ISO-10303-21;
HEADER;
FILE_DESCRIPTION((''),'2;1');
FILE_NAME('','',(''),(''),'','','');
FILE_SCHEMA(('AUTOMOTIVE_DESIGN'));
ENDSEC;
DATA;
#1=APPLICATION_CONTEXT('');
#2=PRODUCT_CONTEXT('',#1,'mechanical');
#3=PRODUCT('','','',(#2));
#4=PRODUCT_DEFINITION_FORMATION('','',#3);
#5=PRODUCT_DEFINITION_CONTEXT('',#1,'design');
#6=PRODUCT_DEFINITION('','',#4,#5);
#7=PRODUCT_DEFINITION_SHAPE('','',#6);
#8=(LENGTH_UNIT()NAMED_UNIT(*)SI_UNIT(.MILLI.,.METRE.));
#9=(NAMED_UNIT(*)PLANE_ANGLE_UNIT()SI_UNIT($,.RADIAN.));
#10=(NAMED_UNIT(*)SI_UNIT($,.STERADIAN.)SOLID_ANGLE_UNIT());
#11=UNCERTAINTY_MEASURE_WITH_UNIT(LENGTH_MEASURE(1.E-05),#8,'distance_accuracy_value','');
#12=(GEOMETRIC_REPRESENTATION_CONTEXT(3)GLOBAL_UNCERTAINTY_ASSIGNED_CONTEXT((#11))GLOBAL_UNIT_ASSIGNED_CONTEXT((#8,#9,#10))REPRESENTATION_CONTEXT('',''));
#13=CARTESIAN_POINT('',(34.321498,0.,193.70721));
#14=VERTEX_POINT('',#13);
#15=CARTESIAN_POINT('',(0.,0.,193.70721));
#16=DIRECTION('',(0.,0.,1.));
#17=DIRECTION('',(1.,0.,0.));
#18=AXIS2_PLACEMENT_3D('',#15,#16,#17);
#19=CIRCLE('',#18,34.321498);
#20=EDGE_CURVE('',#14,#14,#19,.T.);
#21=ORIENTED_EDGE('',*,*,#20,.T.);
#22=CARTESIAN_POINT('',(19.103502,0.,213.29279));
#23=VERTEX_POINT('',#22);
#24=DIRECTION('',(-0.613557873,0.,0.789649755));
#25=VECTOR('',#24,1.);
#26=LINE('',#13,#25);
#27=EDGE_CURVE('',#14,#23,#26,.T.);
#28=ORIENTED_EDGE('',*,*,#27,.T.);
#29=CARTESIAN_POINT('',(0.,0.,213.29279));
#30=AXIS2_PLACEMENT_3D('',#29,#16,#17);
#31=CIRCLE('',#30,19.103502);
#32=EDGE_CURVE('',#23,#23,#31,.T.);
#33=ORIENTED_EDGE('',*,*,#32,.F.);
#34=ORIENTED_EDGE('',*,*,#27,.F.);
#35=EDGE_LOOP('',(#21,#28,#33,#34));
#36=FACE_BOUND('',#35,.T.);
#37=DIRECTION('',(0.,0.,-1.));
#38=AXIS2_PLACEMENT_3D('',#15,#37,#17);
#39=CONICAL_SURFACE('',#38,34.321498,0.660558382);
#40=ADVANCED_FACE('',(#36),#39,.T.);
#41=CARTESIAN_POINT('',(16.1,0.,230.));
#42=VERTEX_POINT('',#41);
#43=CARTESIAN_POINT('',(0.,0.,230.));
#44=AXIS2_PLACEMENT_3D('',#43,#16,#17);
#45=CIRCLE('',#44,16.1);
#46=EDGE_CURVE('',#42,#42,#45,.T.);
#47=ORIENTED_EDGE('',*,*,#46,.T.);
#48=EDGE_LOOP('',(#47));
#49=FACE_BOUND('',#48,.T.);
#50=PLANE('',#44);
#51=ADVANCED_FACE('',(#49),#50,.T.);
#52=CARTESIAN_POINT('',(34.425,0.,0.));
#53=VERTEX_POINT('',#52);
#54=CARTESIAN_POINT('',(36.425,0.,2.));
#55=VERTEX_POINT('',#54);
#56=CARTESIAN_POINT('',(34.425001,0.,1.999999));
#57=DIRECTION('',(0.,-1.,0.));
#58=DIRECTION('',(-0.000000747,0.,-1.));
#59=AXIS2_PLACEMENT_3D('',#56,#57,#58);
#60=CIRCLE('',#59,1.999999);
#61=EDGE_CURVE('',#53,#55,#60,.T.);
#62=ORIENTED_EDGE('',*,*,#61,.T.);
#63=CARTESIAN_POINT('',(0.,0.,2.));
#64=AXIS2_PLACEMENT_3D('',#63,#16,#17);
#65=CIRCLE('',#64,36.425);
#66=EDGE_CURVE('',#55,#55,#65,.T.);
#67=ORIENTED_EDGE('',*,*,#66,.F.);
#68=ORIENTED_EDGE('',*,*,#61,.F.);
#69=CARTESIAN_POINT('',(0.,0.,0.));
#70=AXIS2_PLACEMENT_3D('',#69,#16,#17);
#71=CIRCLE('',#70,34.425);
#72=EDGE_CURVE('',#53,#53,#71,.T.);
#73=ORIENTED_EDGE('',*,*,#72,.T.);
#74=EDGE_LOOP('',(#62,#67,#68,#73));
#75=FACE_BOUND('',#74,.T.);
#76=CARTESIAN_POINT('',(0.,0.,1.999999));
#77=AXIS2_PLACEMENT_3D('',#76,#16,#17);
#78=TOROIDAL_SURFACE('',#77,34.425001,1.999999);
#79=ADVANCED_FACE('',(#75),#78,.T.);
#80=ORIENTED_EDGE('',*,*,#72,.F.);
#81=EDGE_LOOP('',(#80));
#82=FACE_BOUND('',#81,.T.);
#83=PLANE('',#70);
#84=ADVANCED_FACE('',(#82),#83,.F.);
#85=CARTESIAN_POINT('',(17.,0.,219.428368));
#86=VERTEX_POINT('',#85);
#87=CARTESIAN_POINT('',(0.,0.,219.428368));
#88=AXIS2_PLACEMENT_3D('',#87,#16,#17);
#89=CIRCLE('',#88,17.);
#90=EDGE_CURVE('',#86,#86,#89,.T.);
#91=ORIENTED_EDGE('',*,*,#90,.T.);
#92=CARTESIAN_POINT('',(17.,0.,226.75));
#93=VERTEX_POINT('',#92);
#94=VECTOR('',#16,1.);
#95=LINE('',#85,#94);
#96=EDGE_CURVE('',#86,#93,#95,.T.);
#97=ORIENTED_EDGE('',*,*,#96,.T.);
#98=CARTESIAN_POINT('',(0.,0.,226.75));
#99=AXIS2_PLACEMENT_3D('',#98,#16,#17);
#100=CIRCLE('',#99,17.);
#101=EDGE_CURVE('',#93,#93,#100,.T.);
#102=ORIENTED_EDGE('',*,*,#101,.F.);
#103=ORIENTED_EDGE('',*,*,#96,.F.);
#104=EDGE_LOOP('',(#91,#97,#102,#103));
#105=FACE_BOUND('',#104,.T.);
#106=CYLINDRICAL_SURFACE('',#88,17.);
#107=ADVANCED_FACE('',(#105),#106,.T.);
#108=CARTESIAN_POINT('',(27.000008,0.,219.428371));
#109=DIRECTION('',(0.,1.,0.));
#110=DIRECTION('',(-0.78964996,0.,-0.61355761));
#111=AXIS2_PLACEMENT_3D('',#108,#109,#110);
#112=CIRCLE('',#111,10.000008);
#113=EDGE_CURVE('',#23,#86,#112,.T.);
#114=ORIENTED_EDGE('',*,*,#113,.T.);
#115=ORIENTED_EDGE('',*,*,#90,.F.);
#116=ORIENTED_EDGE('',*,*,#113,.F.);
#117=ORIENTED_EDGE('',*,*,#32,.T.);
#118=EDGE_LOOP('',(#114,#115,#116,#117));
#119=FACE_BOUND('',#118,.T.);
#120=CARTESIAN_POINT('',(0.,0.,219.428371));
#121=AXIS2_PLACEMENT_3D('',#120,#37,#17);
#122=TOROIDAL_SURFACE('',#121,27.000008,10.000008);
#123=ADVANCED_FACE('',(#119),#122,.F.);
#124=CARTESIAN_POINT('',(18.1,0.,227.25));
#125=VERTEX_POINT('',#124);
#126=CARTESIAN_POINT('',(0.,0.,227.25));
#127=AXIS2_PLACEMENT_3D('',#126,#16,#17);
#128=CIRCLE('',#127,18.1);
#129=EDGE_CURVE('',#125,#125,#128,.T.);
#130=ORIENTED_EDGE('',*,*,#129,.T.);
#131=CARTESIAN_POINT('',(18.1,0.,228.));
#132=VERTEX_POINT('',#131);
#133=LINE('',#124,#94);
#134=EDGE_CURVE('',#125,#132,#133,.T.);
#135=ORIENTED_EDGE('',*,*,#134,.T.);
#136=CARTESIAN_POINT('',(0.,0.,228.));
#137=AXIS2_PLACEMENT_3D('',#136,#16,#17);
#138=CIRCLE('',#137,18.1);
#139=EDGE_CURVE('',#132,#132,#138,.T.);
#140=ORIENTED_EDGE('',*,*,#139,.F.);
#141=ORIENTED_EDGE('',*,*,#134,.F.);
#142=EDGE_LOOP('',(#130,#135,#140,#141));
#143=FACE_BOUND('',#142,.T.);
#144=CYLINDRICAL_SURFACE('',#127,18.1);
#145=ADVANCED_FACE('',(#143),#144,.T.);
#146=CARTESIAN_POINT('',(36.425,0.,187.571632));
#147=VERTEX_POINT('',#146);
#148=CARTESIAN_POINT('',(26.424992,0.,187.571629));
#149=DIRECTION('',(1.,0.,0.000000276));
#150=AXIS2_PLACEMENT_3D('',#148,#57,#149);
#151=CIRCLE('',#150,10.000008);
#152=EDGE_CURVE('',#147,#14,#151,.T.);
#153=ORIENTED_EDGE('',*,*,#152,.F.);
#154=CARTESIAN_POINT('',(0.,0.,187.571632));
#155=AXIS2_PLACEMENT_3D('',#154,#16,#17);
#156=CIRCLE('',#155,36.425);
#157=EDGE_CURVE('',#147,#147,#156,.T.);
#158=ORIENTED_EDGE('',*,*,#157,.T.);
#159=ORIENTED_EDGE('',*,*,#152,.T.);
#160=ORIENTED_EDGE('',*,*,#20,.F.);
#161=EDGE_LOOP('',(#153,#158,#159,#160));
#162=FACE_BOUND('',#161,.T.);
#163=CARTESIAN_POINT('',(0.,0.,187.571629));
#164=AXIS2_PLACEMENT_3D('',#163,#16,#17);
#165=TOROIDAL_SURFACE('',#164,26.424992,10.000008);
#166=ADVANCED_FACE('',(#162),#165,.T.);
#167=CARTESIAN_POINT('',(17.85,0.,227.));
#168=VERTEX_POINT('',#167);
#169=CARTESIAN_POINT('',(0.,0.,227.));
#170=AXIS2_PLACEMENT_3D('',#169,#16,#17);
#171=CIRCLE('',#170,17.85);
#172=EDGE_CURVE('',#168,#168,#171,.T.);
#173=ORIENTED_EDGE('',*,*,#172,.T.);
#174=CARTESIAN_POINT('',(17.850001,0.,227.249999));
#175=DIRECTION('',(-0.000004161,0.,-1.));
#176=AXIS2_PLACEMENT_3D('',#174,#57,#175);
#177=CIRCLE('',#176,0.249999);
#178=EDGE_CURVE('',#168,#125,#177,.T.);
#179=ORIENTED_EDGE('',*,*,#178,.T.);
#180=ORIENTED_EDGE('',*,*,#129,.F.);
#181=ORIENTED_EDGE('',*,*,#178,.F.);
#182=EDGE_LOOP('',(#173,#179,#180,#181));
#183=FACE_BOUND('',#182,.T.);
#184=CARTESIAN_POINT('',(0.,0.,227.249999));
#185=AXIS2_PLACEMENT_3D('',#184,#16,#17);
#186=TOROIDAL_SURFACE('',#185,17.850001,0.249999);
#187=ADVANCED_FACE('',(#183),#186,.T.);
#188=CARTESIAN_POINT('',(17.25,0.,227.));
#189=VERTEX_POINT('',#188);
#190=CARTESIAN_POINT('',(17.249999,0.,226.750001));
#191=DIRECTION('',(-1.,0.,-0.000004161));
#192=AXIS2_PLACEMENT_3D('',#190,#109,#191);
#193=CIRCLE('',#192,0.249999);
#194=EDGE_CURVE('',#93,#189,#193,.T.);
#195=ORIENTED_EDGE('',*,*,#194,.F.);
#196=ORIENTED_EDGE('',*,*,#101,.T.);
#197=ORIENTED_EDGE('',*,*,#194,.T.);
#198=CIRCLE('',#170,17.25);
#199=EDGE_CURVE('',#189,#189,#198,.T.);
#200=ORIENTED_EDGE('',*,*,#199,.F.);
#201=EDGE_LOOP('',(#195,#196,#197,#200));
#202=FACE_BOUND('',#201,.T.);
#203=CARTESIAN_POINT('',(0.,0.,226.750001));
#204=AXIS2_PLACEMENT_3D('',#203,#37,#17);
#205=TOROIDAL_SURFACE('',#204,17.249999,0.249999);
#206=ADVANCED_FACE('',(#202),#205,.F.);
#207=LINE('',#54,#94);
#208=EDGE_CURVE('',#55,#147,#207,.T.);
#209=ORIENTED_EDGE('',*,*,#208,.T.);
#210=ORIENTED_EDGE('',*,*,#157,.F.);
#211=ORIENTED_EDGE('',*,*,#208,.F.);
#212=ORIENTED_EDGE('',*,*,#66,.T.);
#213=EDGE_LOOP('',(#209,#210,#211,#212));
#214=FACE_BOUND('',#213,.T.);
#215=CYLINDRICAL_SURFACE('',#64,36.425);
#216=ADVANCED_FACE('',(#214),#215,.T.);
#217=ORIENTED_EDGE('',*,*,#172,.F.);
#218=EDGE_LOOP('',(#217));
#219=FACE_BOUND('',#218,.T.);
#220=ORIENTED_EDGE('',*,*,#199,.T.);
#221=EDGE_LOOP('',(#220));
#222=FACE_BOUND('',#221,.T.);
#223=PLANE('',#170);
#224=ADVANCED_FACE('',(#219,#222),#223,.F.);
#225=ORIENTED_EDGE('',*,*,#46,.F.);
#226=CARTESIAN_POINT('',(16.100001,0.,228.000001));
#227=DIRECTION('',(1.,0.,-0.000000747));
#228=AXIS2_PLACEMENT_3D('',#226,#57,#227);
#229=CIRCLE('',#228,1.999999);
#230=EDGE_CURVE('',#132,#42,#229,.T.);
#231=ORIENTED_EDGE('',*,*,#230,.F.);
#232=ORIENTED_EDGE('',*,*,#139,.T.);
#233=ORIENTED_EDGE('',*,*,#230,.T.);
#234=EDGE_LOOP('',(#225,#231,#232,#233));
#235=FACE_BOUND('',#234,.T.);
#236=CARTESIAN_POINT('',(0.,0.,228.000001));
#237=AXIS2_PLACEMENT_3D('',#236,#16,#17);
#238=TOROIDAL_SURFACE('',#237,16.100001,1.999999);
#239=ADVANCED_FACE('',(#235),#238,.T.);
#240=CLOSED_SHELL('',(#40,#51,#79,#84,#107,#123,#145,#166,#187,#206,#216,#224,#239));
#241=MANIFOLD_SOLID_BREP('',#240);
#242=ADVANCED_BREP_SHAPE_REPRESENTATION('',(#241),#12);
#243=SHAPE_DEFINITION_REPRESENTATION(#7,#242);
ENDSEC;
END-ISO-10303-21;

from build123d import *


with BuildPart() as f1:
    # F0 (on Front) → F1 (revolve)
    with BuildSketch(Plane.XZ):
        with BuildLine():
            Line((0, 230), (0, 0))
            Line((0, 0), (34.425, 0))
            ThreePointArc((34.425, 0), (35.839214, 0.585786), (36.425, 2))
            Line((36.425, 2), (36.425, 187.571632))
            ThreePointArc((36.425, 187.571632), (35.884518, 190.814703), (34.321498, 193.70721))
            Line((34.321498, 193.70721), (19.103502, 213.29279))
            ThreePointArc((19.103502, 213.29279), (17.540482, 216.185297), (17, 219.428368))
            Line((17, 219.428368), (17, 226.75))
            ThreePointArc((17, 226.75), (17.073223, 226.926777), (17.25, 227))
            Line((17.25, 227), (17.85, 227))
            ThreePointArc((17.85, 227), (18.026777, 227.073223), (18.1, 227.25))
            Line((18.1, 227.25), (18.1, 228))
            ThreePointArc((18.1, 228), (17.514214, 229.414214), (16.1, 230))
            Line((16.1, 230), (0, 230))
        make_face()
    revolve(axis=Axis((0, 0, 115), (0, 0, 1)))


solid = f1.part
